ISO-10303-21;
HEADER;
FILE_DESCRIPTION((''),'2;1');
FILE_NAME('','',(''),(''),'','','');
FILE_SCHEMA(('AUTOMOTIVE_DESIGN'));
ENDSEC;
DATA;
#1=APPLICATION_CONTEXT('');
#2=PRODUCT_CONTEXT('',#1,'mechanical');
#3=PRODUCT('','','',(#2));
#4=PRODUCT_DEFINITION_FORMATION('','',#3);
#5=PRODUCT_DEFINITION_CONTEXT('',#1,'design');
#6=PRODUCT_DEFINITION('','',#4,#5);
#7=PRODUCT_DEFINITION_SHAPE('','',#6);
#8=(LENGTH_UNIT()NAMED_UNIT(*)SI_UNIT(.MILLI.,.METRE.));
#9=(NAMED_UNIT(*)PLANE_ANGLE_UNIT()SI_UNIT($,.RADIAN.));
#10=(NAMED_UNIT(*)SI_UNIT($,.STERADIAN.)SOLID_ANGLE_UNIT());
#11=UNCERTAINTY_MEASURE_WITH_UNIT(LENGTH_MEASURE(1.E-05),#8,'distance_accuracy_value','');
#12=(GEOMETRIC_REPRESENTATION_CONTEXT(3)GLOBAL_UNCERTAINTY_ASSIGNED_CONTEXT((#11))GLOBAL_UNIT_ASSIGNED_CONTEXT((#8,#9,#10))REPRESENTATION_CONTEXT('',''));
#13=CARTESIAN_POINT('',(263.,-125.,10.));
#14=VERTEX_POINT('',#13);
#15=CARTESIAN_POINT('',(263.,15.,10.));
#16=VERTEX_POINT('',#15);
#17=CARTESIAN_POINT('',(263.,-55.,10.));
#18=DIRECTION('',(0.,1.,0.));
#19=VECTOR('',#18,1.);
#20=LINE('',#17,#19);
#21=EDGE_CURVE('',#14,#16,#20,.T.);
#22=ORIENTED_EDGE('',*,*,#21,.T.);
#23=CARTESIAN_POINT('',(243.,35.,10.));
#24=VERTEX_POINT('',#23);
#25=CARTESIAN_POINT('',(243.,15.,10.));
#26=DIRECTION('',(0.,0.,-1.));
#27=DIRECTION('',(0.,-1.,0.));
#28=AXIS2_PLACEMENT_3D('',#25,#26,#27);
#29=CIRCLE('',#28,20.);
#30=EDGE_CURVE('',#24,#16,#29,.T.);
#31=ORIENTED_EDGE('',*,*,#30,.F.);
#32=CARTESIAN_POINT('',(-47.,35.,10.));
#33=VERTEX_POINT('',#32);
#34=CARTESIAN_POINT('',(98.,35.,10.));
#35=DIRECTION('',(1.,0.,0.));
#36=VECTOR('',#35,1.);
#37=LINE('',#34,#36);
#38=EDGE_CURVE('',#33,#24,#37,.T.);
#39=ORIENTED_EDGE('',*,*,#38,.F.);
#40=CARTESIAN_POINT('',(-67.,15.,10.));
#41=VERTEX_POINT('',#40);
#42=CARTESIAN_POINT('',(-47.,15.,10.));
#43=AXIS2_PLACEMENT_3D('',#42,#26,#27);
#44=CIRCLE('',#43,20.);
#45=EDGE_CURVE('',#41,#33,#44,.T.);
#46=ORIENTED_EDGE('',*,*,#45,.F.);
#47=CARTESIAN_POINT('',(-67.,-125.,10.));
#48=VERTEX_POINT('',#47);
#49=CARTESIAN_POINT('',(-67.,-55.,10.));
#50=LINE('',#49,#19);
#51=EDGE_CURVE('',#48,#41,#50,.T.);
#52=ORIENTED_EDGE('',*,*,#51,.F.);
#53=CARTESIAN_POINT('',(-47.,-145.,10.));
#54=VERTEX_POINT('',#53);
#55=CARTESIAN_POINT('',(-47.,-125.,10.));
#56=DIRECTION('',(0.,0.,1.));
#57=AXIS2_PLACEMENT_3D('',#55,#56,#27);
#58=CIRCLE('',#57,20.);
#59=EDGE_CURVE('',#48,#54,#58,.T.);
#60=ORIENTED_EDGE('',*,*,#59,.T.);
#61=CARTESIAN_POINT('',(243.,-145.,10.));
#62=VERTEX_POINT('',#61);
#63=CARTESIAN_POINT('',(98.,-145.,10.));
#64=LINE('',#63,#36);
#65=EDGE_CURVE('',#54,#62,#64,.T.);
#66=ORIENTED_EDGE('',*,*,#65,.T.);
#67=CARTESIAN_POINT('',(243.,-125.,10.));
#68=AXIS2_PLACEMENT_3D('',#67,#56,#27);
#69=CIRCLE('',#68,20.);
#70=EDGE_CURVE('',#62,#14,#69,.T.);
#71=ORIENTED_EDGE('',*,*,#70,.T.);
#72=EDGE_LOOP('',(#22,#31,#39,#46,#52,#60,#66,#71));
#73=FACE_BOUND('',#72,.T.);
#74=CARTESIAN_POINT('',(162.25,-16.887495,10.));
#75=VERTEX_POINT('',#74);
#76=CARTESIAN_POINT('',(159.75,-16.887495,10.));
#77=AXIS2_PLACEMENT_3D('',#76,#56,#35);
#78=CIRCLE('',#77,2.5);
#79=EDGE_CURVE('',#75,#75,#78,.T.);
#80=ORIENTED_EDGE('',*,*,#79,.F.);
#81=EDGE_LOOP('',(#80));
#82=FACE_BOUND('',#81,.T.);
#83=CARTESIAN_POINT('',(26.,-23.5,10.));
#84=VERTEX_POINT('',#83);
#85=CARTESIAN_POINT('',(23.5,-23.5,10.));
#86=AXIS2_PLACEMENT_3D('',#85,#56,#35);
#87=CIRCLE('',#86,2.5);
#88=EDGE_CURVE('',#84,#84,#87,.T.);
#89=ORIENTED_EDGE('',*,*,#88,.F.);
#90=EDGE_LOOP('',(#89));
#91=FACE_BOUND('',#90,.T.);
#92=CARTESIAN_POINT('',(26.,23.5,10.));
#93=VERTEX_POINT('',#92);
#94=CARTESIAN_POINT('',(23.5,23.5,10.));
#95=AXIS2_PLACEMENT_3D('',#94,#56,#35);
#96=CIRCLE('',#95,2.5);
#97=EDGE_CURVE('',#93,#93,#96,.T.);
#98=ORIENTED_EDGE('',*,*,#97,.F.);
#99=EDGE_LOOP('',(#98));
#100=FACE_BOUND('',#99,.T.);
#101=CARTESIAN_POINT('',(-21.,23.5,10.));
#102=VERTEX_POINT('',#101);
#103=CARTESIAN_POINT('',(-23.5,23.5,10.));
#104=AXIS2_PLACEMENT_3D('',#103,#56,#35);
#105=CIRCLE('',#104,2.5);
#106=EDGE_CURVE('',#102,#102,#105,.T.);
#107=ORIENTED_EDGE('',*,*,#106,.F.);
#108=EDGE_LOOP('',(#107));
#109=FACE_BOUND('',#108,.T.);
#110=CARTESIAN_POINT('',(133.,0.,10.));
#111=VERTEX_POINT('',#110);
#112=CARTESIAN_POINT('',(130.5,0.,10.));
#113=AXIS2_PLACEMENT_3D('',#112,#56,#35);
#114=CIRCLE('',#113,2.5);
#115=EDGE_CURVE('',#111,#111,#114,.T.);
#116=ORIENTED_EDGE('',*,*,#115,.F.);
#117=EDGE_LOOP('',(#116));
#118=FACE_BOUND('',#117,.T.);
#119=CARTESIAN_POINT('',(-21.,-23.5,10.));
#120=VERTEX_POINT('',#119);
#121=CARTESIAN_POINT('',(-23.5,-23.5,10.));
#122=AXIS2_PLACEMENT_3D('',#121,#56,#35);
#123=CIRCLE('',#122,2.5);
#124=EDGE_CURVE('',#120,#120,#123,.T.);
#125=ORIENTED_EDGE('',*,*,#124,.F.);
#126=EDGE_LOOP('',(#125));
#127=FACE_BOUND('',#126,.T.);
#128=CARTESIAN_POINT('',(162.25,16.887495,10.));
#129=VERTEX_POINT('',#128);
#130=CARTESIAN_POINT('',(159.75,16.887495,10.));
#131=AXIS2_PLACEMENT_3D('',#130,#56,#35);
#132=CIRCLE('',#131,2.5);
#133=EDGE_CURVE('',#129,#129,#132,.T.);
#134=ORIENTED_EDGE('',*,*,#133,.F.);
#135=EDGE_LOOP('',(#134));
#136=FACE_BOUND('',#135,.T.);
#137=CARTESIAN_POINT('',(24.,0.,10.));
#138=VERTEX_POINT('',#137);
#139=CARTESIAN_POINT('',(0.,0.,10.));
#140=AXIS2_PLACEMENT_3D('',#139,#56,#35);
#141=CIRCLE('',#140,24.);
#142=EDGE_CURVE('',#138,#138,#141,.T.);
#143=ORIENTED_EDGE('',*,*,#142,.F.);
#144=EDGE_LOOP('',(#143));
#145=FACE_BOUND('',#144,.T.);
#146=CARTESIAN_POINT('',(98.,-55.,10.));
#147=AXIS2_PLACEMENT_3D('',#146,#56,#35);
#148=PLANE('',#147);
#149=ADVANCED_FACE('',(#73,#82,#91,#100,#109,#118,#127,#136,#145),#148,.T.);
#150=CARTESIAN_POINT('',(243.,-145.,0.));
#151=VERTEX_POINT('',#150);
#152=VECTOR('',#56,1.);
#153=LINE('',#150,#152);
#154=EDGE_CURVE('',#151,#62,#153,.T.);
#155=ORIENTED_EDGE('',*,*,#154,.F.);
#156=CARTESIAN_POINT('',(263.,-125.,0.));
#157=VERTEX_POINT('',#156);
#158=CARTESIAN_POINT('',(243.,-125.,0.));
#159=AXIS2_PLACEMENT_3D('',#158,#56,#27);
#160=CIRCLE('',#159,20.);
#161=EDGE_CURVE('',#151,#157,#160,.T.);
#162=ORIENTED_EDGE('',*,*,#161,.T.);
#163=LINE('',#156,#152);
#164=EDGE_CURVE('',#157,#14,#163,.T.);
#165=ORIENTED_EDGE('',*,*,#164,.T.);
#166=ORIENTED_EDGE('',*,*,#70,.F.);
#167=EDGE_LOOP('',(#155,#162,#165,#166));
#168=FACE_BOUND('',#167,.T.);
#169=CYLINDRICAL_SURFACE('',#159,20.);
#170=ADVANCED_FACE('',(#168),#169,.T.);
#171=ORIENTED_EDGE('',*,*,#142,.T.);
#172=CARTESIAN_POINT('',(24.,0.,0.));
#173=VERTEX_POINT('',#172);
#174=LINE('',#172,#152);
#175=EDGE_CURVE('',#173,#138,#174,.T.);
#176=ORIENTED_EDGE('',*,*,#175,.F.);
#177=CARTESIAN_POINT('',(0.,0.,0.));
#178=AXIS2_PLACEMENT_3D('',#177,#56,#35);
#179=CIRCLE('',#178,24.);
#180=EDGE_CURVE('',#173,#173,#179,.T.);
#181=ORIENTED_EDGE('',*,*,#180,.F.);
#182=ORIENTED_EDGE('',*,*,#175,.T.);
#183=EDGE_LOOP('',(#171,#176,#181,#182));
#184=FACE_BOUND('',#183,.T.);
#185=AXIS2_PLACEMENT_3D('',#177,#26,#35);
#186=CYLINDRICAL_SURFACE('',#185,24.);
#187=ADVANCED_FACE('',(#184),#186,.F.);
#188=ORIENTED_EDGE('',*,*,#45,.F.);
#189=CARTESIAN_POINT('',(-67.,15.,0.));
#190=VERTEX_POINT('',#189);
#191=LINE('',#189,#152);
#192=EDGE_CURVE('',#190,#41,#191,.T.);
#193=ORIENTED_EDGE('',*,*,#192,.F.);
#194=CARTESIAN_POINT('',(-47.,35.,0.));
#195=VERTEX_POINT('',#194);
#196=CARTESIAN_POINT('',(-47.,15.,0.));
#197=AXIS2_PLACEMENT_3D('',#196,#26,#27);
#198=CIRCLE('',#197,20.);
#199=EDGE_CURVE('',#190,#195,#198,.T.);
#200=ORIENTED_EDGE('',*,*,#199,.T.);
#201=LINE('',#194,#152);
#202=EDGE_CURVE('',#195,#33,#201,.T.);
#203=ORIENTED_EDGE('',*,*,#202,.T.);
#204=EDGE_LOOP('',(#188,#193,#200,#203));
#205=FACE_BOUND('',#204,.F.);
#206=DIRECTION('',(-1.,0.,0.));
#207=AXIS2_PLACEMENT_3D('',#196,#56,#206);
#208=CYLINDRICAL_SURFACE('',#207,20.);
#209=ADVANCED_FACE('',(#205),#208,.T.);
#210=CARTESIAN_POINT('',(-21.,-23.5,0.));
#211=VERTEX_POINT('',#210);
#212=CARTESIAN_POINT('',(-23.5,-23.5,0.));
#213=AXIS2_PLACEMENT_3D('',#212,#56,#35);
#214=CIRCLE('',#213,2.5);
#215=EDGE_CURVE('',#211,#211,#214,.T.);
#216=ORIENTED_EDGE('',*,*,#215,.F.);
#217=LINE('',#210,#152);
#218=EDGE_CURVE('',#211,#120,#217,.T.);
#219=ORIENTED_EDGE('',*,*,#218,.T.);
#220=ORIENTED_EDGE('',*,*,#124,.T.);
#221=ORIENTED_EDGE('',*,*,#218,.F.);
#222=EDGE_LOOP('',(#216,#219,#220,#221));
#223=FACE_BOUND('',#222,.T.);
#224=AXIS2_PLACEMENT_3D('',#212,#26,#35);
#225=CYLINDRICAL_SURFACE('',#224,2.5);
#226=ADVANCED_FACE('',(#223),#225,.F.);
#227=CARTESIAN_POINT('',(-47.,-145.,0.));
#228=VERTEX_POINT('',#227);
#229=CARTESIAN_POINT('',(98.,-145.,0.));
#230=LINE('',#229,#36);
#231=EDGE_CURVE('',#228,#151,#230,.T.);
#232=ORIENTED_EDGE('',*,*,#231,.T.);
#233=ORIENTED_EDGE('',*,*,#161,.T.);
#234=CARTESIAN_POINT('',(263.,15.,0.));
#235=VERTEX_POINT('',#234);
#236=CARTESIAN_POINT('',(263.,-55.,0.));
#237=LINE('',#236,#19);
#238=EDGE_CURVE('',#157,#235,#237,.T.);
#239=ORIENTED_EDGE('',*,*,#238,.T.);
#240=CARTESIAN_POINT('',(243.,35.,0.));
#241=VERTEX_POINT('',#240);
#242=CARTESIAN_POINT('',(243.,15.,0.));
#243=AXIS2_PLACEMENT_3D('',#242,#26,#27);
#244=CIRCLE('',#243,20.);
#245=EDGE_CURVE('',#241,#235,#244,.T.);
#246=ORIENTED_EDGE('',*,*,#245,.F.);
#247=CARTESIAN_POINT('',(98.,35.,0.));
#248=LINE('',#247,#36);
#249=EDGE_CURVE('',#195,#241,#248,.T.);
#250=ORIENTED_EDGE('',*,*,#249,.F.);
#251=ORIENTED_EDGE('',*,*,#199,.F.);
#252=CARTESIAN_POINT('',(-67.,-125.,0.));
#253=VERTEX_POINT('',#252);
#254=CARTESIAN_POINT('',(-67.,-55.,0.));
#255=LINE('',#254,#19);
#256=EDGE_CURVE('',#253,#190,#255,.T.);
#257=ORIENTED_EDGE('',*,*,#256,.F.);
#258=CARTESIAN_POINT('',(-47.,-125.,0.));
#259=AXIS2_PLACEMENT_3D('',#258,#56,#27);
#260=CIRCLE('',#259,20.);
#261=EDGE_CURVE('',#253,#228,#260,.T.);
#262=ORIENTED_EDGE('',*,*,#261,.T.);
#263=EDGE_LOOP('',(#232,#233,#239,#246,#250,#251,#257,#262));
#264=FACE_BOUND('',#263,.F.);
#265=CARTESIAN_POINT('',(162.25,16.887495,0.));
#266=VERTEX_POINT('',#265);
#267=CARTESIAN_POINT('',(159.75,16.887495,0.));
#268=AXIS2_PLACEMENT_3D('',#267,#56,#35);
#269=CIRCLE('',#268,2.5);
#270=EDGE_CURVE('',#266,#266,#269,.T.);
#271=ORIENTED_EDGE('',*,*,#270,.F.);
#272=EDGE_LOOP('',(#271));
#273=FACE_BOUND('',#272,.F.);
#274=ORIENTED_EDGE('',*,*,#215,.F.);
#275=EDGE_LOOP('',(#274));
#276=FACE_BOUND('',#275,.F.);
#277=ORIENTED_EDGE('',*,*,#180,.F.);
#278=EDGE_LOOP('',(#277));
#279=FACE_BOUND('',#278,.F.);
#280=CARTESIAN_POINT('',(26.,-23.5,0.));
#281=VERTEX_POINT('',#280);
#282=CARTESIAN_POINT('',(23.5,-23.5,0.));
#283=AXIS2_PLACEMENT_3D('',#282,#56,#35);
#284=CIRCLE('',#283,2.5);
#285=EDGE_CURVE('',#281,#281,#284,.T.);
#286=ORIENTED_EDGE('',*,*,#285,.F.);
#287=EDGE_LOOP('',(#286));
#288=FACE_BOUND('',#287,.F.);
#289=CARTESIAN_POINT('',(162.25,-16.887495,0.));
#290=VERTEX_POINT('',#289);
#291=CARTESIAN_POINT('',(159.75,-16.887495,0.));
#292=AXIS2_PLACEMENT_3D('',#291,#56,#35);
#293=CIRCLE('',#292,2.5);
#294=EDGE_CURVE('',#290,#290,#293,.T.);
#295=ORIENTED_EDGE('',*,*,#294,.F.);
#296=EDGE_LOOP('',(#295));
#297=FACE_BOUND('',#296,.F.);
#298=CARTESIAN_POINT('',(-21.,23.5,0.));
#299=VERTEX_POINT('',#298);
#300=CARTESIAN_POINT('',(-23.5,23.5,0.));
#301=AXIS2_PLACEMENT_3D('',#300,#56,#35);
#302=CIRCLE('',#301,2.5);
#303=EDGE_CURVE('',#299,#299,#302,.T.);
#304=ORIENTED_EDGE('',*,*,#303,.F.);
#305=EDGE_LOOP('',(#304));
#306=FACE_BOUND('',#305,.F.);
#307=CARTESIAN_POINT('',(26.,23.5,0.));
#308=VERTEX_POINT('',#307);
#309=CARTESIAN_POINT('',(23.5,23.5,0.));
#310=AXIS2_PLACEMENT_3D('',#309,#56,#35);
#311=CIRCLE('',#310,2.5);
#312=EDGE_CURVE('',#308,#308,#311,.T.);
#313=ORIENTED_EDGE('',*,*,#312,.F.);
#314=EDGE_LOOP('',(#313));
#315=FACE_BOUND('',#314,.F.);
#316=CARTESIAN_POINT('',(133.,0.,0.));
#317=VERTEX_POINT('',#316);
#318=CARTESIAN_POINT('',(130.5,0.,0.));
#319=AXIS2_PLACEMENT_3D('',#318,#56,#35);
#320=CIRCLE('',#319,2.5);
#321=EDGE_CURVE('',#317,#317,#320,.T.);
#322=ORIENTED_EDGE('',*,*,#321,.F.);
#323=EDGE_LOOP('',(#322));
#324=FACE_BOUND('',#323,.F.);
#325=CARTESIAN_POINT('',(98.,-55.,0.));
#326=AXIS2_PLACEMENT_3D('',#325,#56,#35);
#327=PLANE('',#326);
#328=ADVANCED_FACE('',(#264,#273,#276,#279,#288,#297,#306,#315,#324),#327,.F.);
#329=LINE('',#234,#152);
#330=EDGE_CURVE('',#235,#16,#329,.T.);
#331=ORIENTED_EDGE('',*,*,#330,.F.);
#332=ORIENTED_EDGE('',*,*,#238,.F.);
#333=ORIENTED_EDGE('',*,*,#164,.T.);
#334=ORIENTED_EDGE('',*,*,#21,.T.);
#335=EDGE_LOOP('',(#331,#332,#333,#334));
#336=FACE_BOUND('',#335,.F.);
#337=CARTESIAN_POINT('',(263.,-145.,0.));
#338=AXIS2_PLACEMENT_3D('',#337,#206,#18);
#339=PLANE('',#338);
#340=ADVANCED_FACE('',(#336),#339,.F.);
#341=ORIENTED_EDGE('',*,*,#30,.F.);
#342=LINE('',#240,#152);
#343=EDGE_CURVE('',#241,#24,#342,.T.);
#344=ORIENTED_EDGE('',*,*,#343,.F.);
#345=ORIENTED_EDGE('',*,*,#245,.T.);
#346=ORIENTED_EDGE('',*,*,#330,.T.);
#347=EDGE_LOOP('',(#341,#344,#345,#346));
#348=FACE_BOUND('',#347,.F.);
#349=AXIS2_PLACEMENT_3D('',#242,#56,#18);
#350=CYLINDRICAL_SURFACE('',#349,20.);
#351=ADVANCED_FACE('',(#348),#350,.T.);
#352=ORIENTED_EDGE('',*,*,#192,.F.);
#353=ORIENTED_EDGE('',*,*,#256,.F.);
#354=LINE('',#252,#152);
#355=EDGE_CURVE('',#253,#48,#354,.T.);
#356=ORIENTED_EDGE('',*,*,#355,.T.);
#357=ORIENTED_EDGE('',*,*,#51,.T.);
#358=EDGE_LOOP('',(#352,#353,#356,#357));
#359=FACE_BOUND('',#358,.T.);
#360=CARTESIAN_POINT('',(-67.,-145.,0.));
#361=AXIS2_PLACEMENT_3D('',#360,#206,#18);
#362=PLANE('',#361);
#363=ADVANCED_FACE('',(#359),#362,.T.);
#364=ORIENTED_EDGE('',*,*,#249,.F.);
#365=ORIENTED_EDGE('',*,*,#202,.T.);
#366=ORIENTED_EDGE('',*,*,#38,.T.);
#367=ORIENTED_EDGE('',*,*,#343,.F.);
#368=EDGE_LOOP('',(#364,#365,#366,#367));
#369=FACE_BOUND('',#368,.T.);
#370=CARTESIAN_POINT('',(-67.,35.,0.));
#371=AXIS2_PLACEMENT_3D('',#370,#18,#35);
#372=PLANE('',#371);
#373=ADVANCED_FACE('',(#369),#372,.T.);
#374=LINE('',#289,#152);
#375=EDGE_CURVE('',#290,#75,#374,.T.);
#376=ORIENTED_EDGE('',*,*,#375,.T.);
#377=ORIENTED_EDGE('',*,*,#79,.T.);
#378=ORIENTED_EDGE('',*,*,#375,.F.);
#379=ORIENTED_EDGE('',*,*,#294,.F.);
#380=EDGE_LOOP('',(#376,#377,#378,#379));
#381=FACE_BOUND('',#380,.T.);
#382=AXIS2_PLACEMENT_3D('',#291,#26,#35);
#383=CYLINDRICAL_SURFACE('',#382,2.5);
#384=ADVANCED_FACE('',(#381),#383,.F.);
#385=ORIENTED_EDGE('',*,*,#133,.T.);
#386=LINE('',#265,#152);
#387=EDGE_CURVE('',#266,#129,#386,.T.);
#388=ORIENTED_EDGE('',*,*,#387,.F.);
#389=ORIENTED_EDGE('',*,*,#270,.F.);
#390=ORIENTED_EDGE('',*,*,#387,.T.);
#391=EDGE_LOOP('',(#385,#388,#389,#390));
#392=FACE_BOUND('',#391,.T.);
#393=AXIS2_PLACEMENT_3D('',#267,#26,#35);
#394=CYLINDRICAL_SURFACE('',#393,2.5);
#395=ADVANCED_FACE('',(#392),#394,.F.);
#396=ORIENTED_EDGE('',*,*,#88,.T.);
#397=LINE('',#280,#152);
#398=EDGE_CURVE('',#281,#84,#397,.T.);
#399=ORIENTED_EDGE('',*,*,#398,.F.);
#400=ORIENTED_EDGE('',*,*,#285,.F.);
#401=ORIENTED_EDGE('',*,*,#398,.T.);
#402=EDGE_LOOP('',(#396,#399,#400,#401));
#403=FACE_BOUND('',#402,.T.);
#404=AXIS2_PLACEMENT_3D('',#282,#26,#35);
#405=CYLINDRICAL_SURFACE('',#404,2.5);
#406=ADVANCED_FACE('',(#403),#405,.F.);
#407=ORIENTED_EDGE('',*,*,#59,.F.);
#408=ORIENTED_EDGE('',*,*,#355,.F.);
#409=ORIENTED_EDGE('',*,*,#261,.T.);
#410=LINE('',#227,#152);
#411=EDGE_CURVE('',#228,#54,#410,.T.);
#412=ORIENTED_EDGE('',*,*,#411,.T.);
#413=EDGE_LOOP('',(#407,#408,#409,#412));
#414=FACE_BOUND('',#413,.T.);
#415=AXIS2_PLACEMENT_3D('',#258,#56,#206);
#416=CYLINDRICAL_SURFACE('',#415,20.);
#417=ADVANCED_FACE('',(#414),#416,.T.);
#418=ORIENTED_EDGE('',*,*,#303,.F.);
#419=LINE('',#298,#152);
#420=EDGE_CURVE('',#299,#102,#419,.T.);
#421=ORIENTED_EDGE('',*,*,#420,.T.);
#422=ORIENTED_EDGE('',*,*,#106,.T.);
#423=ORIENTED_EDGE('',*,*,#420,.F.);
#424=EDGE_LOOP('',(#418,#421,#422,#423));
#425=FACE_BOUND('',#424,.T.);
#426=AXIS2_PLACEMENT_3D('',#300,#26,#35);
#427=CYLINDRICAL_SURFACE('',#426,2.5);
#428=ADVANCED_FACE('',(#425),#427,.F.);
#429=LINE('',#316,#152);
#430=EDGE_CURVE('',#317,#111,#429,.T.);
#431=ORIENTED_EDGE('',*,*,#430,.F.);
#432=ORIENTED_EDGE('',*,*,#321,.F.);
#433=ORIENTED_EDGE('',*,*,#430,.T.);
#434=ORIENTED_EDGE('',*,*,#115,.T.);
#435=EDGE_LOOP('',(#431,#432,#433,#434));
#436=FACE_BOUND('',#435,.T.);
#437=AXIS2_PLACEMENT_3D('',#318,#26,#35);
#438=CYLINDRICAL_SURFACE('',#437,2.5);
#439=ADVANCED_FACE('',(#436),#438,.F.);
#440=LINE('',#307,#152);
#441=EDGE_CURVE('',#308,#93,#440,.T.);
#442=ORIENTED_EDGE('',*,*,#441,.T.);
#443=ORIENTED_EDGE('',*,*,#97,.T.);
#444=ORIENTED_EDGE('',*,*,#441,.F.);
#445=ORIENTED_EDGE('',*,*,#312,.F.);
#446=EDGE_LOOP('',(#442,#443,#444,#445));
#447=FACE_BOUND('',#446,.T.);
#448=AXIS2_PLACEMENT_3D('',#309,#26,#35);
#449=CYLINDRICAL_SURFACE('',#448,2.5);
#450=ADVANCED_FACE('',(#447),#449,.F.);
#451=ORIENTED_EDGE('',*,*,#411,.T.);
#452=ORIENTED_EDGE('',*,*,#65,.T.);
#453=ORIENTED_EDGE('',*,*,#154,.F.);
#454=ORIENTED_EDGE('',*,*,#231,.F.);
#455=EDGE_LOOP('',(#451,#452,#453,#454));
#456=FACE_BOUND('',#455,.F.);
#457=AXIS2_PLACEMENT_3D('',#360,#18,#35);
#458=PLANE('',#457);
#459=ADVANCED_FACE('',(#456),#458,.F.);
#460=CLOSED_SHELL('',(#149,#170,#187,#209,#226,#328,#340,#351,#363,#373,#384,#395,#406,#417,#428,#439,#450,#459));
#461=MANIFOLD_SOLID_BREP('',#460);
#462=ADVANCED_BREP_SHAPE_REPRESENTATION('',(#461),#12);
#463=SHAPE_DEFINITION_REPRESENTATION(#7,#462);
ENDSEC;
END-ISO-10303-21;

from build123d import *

# Parameters (mm, degrees)
SKETCH_W   = 330
SKETCH_H   = 180
SKETCH_R   = 2.5
SKETCH_R_2 = 24
PAD_DEPTH  = 10
FILLET_R   = 20


with BuildPart() as part:
    # Sketch → Pad (new body)
    with BuildSketch(Plane.XY):
        with Locations((98, -55)):
            Rectangle(SKETCH_W, SKETCH_H)
        with Locations((23.5, 23.5)):
            Circle(SKETCH_R, mode=Mode.SUBTRACT)
        with Locations((-23.5, 23.5)):
            Circle(SKETCH_R, mode=Mode.SUBTRACT)
        with Locations((-23.5, -23.5)):
            Circle(SKETCH_R, mode=Mode.SUBTRACT)
        with Locations((23.5, -23.5)):
            Circle(SKETCH_R, mode=Mode.SUBTRACT)
        Circle(SKETCH_R_2, mode=Mode.SUBTRACT)
        with Locations((159.75, 16.887495)):
            Circle(SKETCH_R, mode=Mode.SUBTRACT)
        with Locations((130.5, 0)):
            Circle(SKETCH_R, mode=Mode.SUBTRACT)
        with Locations((159.75, -16.887495)):
            Circle(SKETCH_R, mode=Mode.SUBTRACT)
    extrude(amount=PAD_DEPTH)

    # Fillet
    fillet_edges = [part.edges().sort_by_distance(p)[0] for p in [
        (-67, -145, 5),
        (263, -145, 5),
        (263, 35, 5),
        (-67, 35, 5),
    ]]
    fillet(fillet_edges, radius=FILLET_R)


solid = part.part
